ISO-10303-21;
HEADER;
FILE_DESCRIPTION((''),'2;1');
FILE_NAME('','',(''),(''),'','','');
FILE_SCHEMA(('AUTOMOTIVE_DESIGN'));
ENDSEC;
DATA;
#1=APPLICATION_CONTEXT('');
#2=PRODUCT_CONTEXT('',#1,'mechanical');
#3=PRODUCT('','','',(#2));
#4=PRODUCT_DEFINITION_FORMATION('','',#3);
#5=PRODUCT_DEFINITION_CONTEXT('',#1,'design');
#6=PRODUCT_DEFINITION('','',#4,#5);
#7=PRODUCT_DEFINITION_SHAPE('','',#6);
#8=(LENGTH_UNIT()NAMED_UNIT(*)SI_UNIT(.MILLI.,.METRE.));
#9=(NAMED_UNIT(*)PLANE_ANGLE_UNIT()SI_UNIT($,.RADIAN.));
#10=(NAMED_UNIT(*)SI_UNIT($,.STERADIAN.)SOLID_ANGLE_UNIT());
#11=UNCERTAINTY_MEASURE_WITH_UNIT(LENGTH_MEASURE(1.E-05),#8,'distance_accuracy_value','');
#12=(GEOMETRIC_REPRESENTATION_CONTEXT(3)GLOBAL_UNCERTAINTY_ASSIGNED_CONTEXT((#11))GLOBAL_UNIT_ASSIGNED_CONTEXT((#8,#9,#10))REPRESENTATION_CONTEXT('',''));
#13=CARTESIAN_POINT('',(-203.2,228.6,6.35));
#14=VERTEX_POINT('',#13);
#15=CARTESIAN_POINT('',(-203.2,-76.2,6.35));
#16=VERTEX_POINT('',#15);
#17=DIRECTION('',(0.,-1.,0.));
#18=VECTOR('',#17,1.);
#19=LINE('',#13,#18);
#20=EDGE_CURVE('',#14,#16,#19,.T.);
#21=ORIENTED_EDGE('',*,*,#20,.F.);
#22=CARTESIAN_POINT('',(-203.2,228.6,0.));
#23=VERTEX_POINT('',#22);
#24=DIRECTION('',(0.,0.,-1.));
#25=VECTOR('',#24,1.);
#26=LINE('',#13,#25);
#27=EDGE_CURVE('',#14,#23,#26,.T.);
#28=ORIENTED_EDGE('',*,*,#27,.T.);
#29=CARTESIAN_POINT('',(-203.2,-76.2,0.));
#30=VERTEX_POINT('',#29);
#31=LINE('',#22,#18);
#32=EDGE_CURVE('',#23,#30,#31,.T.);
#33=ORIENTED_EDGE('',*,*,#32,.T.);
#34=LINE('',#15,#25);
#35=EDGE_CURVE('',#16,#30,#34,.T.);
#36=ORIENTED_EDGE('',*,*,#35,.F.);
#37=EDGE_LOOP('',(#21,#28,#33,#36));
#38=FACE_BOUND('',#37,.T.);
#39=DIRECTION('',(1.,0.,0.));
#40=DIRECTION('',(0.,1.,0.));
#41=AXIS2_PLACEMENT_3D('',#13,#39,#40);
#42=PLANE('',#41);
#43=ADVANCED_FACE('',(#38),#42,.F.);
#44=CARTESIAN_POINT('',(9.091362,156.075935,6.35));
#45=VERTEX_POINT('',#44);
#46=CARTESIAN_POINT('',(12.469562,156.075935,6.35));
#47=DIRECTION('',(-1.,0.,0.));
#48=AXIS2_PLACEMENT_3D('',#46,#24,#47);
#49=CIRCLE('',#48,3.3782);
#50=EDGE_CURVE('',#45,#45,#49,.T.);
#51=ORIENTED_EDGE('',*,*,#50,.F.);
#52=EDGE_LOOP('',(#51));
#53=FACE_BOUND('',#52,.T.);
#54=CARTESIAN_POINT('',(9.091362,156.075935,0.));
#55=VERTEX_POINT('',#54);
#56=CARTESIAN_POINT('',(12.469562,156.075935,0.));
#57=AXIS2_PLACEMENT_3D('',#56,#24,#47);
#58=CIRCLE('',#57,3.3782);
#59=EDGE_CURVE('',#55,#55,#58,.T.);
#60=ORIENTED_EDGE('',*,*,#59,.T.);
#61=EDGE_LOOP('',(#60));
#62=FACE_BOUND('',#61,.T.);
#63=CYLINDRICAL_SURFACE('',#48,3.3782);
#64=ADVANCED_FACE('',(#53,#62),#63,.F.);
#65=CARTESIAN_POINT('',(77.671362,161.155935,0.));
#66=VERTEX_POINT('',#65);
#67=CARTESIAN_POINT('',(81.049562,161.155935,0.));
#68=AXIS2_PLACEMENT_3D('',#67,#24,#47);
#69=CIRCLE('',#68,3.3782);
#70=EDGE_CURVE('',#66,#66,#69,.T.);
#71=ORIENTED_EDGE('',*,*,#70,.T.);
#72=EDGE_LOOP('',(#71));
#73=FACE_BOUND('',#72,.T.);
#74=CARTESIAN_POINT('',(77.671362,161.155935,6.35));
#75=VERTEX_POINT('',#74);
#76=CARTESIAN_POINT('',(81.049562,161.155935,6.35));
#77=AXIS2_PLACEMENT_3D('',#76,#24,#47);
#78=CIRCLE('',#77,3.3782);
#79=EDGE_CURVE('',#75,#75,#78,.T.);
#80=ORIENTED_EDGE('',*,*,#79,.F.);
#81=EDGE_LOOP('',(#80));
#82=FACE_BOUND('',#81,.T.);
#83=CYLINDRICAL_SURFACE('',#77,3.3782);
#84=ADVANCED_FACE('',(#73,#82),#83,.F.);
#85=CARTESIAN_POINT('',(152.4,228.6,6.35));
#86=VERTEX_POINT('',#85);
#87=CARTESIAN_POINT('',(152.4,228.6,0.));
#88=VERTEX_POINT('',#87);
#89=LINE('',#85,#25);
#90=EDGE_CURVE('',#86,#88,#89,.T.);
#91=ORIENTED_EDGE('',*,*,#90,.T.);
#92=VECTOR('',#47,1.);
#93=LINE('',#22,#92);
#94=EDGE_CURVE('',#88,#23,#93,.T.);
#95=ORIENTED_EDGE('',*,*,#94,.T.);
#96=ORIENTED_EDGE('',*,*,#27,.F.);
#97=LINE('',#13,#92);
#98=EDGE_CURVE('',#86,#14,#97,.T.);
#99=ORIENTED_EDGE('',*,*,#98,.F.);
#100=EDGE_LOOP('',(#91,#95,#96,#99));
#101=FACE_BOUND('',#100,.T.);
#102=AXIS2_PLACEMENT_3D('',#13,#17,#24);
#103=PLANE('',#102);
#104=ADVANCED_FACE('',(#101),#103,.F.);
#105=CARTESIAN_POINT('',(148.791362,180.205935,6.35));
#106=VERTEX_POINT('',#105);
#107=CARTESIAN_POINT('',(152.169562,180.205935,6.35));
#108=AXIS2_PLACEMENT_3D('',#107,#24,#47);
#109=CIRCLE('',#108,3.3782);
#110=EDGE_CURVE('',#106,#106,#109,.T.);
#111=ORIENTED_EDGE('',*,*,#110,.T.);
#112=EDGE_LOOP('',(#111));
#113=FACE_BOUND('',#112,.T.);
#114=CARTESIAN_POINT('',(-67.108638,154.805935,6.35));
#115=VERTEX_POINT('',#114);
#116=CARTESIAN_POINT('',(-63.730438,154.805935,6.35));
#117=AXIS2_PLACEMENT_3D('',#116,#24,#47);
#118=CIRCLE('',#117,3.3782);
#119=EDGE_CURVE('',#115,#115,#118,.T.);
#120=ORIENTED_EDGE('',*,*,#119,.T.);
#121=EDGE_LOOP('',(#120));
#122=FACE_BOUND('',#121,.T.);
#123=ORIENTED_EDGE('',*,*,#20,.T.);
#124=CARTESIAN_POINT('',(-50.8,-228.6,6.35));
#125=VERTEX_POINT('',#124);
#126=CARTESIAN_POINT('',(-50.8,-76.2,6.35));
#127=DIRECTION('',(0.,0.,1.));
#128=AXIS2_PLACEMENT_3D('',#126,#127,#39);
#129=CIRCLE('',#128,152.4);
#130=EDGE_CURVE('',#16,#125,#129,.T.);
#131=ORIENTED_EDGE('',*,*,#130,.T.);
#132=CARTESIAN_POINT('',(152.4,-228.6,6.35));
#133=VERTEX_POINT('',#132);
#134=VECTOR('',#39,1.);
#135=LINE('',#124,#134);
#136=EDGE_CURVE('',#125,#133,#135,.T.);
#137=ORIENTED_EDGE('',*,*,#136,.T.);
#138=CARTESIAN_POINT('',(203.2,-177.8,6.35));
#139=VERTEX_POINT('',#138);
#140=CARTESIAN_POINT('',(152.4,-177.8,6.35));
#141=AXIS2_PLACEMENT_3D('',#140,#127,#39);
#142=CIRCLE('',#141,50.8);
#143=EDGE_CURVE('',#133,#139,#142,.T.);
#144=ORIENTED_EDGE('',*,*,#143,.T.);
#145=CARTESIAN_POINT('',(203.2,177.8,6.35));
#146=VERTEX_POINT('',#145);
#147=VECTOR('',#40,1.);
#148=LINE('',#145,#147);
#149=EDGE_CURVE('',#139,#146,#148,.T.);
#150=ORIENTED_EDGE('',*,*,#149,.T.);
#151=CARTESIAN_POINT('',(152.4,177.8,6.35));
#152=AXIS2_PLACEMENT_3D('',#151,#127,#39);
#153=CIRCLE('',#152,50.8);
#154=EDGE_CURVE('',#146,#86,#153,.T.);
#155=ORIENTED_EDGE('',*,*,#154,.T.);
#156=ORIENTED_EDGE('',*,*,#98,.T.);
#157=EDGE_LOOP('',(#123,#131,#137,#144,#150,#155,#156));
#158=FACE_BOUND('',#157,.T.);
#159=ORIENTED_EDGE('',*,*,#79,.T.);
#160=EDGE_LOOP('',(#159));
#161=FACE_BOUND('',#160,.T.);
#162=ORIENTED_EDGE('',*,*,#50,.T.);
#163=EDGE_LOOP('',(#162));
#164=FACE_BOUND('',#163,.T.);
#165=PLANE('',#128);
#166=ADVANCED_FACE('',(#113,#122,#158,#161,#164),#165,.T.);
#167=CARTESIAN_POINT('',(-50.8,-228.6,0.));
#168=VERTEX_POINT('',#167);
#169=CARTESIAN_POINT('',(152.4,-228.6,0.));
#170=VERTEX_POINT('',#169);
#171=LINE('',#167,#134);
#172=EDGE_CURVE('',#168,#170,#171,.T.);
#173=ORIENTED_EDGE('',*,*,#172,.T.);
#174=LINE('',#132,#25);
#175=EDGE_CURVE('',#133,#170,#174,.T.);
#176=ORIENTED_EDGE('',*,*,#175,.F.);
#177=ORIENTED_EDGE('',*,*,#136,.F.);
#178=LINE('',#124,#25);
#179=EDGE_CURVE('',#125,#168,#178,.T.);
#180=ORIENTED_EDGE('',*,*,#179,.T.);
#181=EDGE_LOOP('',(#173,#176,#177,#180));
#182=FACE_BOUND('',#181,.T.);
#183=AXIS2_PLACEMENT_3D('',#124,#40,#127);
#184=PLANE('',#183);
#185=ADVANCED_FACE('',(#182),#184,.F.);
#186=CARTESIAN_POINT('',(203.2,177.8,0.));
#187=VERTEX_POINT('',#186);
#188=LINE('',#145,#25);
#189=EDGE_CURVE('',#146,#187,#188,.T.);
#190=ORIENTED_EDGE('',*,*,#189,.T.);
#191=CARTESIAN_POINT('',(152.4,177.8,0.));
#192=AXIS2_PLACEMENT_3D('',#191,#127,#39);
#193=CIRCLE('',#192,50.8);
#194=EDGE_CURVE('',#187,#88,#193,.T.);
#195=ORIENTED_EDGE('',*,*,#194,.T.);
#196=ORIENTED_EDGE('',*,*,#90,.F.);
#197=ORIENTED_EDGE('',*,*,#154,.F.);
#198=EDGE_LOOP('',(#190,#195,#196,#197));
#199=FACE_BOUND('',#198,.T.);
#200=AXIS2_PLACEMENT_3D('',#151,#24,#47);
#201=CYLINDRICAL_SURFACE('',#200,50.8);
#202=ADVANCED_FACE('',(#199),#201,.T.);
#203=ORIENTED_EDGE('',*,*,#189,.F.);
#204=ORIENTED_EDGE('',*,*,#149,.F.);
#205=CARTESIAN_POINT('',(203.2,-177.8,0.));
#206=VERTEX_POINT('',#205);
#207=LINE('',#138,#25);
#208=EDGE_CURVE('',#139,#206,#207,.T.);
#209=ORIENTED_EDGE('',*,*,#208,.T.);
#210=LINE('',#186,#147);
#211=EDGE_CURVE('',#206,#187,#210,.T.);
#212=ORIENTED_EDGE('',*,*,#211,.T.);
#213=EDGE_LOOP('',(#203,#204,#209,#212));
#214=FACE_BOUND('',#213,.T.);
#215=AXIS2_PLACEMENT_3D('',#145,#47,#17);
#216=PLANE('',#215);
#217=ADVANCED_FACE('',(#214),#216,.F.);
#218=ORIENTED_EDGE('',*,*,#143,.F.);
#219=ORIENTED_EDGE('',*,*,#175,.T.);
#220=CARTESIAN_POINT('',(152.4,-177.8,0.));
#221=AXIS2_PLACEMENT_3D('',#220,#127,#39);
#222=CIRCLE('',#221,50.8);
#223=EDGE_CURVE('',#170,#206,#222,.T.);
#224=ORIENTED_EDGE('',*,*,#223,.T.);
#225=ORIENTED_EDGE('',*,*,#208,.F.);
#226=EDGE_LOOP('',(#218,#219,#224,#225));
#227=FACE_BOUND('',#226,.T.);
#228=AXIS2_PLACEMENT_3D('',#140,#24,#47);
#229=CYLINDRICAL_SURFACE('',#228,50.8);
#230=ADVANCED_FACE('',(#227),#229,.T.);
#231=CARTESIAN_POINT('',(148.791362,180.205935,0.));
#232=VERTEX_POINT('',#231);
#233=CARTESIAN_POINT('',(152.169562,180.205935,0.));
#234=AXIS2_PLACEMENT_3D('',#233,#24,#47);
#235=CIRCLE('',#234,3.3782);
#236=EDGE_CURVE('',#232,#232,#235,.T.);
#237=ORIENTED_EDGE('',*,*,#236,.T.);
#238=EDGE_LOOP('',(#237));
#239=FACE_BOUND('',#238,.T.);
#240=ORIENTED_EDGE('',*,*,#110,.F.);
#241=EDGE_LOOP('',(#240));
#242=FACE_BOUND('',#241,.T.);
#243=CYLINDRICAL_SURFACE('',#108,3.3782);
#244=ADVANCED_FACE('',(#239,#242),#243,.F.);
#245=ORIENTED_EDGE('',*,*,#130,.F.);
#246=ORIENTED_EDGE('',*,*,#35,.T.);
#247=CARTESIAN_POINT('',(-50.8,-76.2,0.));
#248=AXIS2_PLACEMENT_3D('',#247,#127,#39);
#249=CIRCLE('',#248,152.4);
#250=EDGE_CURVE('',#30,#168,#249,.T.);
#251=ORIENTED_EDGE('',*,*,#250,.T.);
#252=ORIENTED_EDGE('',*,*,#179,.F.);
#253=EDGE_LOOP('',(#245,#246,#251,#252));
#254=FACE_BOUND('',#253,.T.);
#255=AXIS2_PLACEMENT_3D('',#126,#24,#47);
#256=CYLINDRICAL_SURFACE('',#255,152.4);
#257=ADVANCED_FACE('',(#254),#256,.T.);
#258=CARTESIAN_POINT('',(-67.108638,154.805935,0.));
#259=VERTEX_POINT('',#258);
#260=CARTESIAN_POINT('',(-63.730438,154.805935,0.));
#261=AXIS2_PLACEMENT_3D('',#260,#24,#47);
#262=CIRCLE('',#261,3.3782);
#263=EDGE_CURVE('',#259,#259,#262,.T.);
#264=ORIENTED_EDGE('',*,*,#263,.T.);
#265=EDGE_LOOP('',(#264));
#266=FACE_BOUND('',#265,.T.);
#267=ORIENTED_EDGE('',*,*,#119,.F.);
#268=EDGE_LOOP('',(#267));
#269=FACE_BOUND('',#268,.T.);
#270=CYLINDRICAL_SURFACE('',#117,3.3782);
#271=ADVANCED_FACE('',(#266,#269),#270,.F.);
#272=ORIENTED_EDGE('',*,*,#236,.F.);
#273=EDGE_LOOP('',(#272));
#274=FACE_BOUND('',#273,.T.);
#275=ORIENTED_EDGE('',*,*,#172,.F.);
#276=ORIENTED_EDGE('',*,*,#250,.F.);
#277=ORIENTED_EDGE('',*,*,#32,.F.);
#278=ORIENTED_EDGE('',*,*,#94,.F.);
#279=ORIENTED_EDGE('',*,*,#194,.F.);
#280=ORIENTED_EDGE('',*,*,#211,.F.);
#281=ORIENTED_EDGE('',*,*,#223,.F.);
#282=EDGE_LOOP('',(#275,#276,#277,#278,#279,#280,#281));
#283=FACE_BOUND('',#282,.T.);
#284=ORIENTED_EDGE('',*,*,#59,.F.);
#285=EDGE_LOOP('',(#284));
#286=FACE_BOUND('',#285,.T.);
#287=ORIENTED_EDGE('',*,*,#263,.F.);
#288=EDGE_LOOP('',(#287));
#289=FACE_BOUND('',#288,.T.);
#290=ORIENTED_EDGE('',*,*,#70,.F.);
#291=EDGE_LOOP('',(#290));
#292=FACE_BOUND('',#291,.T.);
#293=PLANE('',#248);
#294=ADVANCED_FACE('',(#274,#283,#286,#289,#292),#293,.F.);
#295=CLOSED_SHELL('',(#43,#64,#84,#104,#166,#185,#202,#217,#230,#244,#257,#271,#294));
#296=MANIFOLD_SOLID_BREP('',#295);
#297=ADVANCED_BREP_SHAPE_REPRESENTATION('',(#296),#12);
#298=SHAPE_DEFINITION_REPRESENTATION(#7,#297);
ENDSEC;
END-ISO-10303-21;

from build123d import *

# Parameters (mm, degrees)
BOSS_EXTRUDE1_DEPTH = 6.35
SKETCH2_R           = 3.3782
CUT_EXTRUDE1_DEPTH  = 6.35


with BuildPart() as part:
    # Sketch1 → Boss-Extrude1 (new body)
    with BuildSketch(Plane.XY):
        with BuildLine():
            Line((-203.2, 228.6), (152.4, 228.6))
            ThreePointArc((152.4, 228.6), (188.321024484, 213.721024484), (203.2, 177.8))
            Line((203.2, 177.8), (203.2, -177.8))
            ThreePointArc((203.2, -177.8), (188.321024484, -213.721024484), (152.4, -228.6))
            Line((152.4, -228.6), (-50.8, -228.6))
            ThreePointArc((-50.8, -228.6), (-158.563073453, -183.963073453), (-203.2, -76.2))
            Line((-203.2, -76.2), (-203.2, 228.6))
        make_face()
    extrude(amount=BOSS_EXTRUDE1_DEPTH)

    # Sketch2 → Cut-Extrude1 (cut)
    with BuildSketch(Plane(origin=(0, 0, 0), x_dir=(-1, 0, 0), z_dir=(0, 0, -1))):
        with Locations((-81.049562296, 161.155935463)):
            Circle(SKETCH2_R)
        with Locations((-152.169562296, 180.205935019)):
            Circle(SKETCH2_R)
        with Locations((63.730437704, 154.805935463)):
            Circle(SKETCH2_R)
        with Locations((-12.469562296, 156.075935463)):
            Circle(SKETCH2_R)
    extrude(amount=-CUT_EXTRUDE1_DEPTH, mode=Mode.SUBTRACT)


solid = part.part
